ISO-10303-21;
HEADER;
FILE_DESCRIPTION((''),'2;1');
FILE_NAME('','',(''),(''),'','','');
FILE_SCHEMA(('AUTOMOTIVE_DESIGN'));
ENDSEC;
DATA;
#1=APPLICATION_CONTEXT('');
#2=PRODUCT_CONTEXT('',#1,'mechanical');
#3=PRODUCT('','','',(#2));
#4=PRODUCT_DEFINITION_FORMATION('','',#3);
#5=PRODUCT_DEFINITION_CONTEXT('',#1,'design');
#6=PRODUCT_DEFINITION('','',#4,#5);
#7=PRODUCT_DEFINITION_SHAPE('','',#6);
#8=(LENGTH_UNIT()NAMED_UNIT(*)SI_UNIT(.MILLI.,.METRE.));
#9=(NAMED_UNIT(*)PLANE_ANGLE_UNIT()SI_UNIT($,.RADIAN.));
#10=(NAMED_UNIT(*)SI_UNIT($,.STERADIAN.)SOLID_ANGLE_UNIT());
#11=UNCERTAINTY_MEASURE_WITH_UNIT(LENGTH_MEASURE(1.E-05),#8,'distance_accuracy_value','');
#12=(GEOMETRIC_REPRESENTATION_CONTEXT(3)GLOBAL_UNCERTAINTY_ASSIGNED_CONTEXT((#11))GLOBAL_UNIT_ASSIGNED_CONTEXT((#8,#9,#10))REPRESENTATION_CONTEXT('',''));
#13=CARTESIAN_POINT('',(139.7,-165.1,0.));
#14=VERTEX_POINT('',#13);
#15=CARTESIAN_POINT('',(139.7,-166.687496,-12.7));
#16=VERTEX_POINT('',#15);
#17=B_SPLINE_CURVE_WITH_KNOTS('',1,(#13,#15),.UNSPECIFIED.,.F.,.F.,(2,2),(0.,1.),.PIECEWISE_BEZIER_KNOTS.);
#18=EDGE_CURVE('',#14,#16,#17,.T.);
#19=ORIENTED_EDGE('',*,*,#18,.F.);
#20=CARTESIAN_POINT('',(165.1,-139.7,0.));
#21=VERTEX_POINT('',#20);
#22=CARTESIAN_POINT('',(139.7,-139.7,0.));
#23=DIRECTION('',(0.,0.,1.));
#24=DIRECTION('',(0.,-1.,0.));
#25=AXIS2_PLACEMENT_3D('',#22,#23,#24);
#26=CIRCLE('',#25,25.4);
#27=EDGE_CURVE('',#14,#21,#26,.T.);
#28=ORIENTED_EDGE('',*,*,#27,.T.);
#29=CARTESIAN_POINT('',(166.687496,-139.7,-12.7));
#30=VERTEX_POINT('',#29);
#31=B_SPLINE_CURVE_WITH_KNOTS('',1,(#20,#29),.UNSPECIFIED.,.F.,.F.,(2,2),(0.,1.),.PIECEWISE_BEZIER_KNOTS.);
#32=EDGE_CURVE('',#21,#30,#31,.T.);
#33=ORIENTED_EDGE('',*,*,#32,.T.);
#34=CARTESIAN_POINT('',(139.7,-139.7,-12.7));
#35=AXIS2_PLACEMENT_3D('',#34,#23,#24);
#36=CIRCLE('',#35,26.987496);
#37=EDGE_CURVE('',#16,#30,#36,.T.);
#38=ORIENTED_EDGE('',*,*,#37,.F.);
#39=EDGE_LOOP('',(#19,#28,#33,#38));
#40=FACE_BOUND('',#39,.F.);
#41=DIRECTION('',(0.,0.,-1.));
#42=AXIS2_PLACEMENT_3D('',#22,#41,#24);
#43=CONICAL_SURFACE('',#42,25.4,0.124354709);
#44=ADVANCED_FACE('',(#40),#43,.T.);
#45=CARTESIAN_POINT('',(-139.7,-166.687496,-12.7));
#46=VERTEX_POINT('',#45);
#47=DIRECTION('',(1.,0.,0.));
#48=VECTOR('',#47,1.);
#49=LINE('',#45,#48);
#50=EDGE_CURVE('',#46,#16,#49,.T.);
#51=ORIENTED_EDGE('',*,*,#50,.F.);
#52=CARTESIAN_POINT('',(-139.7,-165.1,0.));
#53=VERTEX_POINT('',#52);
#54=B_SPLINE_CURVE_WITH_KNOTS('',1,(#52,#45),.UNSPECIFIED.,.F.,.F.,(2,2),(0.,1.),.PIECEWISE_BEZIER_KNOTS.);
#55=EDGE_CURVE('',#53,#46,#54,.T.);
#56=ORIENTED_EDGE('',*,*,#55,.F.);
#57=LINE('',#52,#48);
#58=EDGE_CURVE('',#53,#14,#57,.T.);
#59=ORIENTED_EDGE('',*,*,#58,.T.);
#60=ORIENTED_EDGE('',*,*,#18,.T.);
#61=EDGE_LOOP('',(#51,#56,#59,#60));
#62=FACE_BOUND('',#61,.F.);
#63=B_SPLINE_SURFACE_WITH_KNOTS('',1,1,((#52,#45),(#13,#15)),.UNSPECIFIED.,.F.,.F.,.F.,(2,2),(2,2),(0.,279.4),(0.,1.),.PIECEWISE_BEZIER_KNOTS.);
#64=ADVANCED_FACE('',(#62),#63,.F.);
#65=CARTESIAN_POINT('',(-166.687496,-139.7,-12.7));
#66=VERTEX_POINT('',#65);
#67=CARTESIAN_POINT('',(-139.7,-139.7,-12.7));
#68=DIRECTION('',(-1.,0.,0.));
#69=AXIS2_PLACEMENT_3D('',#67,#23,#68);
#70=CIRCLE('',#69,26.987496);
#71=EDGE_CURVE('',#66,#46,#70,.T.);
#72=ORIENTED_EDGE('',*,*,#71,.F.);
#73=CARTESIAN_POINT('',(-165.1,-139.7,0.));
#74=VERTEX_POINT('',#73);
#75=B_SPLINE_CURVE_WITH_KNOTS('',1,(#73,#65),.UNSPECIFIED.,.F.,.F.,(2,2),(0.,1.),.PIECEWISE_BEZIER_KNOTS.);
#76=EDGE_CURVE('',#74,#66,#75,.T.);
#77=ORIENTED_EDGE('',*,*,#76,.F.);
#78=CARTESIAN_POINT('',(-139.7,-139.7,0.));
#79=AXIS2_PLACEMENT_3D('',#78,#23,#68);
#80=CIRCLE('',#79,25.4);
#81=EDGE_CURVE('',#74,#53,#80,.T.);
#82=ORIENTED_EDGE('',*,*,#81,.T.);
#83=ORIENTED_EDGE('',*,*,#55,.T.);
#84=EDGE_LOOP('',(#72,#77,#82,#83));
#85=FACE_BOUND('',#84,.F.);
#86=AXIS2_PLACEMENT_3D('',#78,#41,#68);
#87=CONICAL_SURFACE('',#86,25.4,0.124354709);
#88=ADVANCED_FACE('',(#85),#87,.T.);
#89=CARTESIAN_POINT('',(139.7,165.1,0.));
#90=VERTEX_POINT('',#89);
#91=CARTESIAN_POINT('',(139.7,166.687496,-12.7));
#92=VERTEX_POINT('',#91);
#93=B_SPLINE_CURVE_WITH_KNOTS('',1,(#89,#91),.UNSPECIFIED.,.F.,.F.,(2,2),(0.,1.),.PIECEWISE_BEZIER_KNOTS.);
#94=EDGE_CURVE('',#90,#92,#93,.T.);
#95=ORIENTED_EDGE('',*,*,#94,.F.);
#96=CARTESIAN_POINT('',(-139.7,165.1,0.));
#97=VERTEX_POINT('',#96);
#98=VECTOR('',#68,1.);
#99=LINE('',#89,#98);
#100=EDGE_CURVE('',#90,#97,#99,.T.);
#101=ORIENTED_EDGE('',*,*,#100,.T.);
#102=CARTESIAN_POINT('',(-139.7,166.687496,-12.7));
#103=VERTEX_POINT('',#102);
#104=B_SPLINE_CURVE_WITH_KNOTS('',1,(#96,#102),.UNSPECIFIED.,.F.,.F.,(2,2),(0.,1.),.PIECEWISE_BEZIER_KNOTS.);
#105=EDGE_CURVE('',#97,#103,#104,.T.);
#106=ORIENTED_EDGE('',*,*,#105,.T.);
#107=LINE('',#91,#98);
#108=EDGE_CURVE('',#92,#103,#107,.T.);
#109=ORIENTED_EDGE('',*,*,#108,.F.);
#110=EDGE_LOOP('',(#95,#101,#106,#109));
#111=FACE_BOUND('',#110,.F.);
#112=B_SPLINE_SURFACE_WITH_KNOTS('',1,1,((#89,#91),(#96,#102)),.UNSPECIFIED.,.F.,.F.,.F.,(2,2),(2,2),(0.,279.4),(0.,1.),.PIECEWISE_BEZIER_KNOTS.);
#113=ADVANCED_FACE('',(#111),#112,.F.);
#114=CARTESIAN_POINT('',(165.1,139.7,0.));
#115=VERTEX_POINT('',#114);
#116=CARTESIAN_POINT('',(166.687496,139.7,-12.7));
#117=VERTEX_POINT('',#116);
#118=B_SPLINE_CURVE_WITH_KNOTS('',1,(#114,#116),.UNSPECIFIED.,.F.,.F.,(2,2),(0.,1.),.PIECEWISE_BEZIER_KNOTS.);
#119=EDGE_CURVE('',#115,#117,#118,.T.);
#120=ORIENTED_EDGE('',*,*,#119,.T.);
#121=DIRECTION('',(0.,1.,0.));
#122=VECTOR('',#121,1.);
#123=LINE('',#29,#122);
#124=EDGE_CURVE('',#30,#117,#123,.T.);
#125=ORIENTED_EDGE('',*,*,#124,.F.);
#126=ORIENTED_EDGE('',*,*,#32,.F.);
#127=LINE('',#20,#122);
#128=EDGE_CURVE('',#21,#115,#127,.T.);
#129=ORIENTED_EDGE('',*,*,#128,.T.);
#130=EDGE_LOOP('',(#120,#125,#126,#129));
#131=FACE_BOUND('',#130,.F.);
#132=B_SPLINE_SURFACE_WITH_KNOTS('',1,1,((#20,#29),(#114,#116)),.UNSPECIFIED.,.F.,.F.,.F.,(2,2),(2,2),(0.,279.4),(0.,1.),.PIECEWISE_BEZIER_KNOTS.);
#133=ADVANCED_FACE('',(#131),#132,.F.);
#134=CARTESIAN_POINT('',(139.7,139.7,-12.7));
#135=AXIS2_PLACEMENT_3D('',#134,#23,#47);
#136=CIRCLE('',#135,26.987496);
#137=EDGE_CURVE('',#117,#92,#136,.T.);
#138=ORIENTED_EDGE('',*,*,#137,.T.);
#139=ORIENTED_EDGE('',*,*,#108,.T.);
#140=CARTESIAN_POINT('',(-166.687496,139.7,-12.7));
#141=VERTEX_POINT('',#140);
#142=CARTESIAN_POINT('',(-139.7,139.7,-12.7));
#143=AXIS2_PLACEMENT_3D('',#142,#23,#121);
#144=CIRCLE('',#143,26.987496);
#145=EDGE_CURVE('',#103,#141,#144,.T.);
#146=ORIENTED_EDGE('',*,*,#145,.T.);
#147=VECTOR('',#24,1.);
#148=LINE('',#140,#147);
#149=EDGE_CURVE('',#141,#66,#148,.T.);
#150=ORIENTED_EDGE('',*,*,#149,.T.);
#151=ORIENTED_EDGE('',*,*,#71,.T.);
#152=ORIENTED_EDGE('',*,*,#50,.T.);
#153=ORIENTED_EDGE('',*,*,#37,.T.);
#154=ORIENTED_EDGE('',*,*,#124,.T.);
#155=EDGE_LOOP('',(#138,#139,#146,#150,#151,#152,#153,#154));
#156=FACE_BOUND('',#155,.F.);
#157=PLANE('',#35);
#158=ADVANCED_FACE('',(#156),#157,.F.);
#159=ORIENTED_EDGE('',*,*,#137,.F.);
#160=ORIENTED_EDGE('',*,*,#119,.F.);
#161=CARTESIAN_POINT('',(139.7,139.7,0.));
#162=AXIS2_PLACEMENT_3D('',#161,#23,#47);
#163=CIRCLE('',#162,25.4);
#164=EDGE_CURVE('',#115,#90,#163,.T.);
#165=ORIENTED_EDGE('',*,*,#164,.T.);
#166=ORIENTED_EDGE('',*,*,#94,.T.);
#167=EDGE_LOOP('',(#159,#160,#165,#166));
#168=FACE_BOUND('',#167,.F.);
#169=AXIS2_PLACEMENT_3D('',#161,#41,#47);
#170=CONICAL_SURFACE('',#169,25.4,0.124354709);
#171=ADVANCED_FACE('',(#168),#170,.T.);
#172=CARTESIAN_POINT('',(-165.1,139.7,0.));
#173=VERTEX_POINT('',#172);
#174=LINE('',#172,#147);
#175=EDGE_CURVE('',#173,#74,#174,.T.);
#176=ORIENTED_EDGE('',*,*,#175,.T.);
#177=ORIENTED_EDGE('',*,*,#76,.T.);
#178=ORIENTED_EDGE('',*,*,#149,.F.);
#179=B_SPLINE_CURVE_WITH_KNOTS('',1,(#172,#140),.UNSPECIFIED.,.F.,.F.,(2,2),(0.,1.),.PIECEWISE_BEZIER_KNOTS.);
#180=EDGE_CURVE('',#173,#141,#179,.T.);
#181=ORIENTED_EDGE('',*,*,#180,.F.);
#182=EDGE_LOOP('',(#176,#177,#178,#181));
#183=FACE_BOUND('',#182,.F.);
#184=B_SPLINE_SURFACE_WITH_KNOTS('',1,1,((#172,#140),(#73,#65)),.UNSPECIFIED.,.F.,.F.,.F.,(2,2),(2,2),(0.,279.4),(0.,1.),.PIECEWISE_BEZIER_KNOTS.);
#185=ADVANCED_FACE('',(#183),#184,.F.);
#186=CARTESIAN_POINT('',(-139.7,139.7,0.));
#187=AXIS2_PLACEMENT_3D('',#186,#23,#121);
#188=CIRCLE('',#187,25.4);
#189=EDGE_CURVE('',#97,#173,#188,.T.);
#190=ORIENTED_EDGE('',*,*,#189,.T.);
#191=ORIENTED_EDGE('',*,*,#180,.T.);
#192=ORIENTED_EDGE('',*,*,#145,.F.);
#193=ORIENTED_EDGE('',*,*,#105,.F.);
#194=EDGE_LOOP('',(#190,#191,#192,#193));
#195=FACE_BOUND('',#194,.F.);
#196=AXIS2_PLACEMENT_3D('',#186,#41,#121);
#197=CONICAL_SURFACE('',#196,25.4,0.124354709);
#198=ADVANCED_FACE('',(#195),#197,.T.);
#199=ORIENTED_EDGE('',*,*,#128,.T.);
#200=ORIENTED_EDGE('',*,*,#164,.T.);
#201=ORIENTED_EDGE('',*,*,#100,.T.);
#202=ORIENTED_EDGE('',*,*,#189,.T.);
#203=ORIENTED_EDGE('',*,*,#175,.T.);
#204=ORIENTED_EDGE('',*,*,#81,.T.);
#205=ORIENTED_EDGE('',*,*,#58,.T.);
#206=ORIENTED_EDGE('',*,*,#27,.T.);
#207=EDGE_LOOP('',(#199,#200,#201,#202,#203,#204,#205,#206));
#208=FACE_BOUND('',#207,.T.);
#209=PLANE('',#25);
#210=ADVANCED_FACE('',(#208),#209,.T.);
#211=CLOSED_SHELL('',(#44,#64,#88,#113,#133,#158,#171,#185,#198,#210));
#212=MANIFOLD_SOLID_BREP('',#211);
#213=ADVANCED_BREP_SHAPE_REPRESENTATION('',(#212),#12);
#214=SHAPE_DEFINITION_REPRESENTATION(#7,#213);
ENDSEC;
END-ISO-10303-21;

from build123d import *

# Parameters (mm, degrees)
F2_DEPTH = 12.7
F2_TAPER = -7.125


with BuildPart() as f2:
    # F0 (on Top) → F2 (new body)
    with BuildSketch(Plane.XY):
        with BuildLine():
            Line((-139.7, -165.1), (139.7, -165.1))
            ThreePointArc((139.7, -165.1), (157.6605122421, -157.6605122421), (165.1, -139.7))
            Line((165.1, -139.7), (165.1, 139.7))
            ThreePointArc((165.1, 139.7), (157.6605122421, 157.6605122421), (139.7, 165.1))
            Line((139.7, 165.1), (-139.7, 165.1))
            ThreePointArc((-139.7, 165.1), (-157.6605122421, 157.6605122421), (-165.1, 139.7))
            Line((-165.1, 139.7), (-165.1, -139.7))
            ThreePointArc((-165.1, -139.7), (-157.6605122421, -157.6605122421), (-139.7, -165.1))
        make_face()
        with BuildLine():
            ThreePointArc((-139.7, -152.4), (-148.6802561211, -148.6802561211), (-152.4, -139.7))
            Line((-152.4, -139.7), (-152.4, -19.0555986124))
            ThreePointArc((-152.4, -19.0555986124), (-148.6802561211, -10.0753424913), (-139.7, -6.3555986124))
            Line((-139.7, -6.3555986124), (-19.0451302115, -6.3555986124))
            ThreePointArc((-19.0451302115, -6.3555986124), (-10.0648740904, -10.0753424913), (-6.3451302115, -19.0555986124))
            Line((-6.3451302115, -19.0555986124), (-6.3451302115, -139.7))
            ThreePointArc((-6.3451302115, -139.7), (-10.0648740904, -148.6802561211), (-19.0451302115, -152.4))
            Line((-19.0451302115, -152.4), (-139.7, -152.4))
        make_face(mode=Mode.SUBTRACT)
        with BuildLine():
            ThreePointArc((152.4, -139.7), (148.6802561211, -148.6802561211), (139.7, -152.4))
            Line((139.7, -152.4), (19.0451302115, -152.4))
            ThreePointArc((19.0451302115, -152.4), (10.0648740904, -148.6802561211), (6.3451302115, -139.7))
            Line((6.3451302115, -139.7), (6.3451302115, -19.0555986124))
            ThreePointArc((6.3451302115, -19.0555986124), (10.0648740904, -10.0753424913), (19.0451302115, -6.3555986124))
            Line((19.0451302115, -6.3555986124), (139.7, -6.3555986124))
            ThreePointArc((139.7, -6.3555986124), (148.6802561211, -10.0753424913), (152.4, -19.0555986124))
            Line((152.4, -19.0555986124), (152.4, -139.7))
        make_face(mode=Mode.SUBTRACT)
        with BuildLine():
            ThreePointArc((-152.4, 139.7), (-148.6802561211, 148.6802561211), (-139.7, 152.4))
            Line((-139.7, 152.4), (-19.0451302115, 152.4))
            ThreePointArc((-19.0451302115, 152.4), (-10.0648740904, 148.6802561211), (-6.3451302115, 139.7))
            Line((-6.3451302115, 139.7), (-6.3451302115, 19.0555986124))
            ThreePointArc((-6.3451302115, 19.0555986124), (-10.0648740904, 10.0753424913), (-19.0451302115, 6.3555986124))
            Line((-19.0451302115, 6.3555986124), (-139.7, 6.3555986124))
            ThreePointArc((-139.7, 6.3555986124), (-148.6802561211, 10.0753424913), (-152.4, 19.0555986124))
            Line((-152.4, 19.0555986124), (-152.4, 139.7))
        make_face(mode=Mode.SUBTRACT)
        with BuildLine():
            Line((19.0451302115, 152.4), (139.7, 152.4))
            ThreePointArc((139.7, 152.4), (148.6802561211, 148.6802561211), (152.4, 139.7))
            Line((152.4, 139.7), (152.4, 19.0555986124))
            ThreePointArc((152.4, 19.0555986124), (148.6802561211, 10.0753424913), (139.7, 6.3555986124))
            Line((139.7, 6.3555986124), (19.0451302115, 6.3555986124))
            ThreePointArc((19.0451302115, 6.3555986124), (10.0648740904, 10.0753424913), (6.3451302115, 19.0555986124))
            Line((6.3451302115, 19.0555986124), (6.3451302115, 139.7))
            ThreePointArc((6.3451302115, 139.7), (10.0648740904, 148.6802561211), (19.0451302115, 152.4))
        make_face(mode=Mode.SUBTRACT)
        with BuildLine():
            Line((19.0451302115, -152.4), (139.7, -152.4))
            ThreePointArc((139.7, -152.4), (148.6802561211, -148.6802561211), (152.4, -139.7))
            Line((152.4, -139.7), (152.4, -19.0555986124))
            ThreePointArc((152.4, -19.0555986124), (148.6802561211, -10.0753424913), (139.7, -6.3555986124))
            Line((139.7, -6.3555986124), (19.0451302115, -6.3555986124))
            ThreePointArc((19.0451302115, -6.3555986124), (10.0648740904, -10.0753424913), (6.3451302115, -19.0555986124))
            Line((6.3451302115, -19.0555986124), (6.3451302115, -139.7))
            ThreePointArc((6.3451302115, -139.7), (10.0648740904, -148.6802561211), (19.0451302115, -152.4))
        make_face()
        with BuildLine():
            ThreePointArc((152.4, 139.7), (148.6802561211, 148.6802561211), (139.7, 152.4))
            Line((139.7, 152.4), (19.0451302115, 152.4))
            ThreePointArc((19.0451302115, 152.4), (10.0648740904, 148.6802561211), (6.3451302115, 139.7))
            Line((6.3451302115, 139.7), (6.3451302115, 19.0555986124))
            ThreePointArc((6.3451302115, 19.0555986124), (10.0648740904, 10.0753424913), (19.0451302115, 6.3555986124))
            Line((19.0451302115, 6.3555986124), (139.7, 6.3555986124))
            ThreePointArc((139.7, 6.3555986124), (148.6802561211, 10.0753424913), (152.4, 19.0555986124))
            Line((152.4, 19.0555986124), (152.4, 139.7))
        make_face()
        with BuildLine():
            Line((-152.4, -19.0555986124), (-152.4, -139.7))
            ThreePointArc((-152.4, -139.7), (-148.6802561211, -148.6802561211), (-139.7, -152.4))
            Line((-139.7, -152.4), (-19.0451302115, -152.4))
            ThreePointArc((-19.0451302115, -152.4), (-10.0648740904, -148.6802561211), (-6.3451302115, -139.7))
            Line((-6.3451302115, -139.7), (-6.3451302115, -19.0555986124))
            ThreePointArc((-6.3451302115, -19.0555986124), (-10.0648740904, -10.0753424913), (-19.0451302115, -6.3555986124))
            Line((-19.0451302115, -6.3555986124), (-139.7, -6.3555986124))
            ThreePointArc((-139.7, -6.3555986124), (-148.6802561211, -10.0753424913), (-152.4, -19.0555986124))
        make_face()
        with BuildLine():
            Line((-19.0451302115, 152.4), (-139.7, 152.4))
            ThreePointArc((-139.7, 152.4), (-148.6802561211, 148.6802561211), (-152.4, 139.7))
            Line((-152.4, 139.7), (-152.4, 19.0555986124))
            ThreePointArc((-152.4, 19.0555986124), (-148.6802561211, 10.0753424913), (-139.7, 6.3555986124))
            Line((-139.7, 6.3555986124), (-19.0451302115, 6.3555986124))
            ThreePointArc((-19.0451302115, 6.3555986124), (-10.0648740904, 10.0753424913), (-6.3451302115, 19.0555986124))
            Line((-6.3451302115, 19.0555986124), (-6.3451302115, 139.7))
            ThreePointArc((-6.3451302115, 139.7), (-10.0648740904, 148.6802561211), (-19.0451302115, 152.4))
        make_face()
    extrude(amount=-F2_DEPTH, taper=F2_TAPER)


solid = f2.part
